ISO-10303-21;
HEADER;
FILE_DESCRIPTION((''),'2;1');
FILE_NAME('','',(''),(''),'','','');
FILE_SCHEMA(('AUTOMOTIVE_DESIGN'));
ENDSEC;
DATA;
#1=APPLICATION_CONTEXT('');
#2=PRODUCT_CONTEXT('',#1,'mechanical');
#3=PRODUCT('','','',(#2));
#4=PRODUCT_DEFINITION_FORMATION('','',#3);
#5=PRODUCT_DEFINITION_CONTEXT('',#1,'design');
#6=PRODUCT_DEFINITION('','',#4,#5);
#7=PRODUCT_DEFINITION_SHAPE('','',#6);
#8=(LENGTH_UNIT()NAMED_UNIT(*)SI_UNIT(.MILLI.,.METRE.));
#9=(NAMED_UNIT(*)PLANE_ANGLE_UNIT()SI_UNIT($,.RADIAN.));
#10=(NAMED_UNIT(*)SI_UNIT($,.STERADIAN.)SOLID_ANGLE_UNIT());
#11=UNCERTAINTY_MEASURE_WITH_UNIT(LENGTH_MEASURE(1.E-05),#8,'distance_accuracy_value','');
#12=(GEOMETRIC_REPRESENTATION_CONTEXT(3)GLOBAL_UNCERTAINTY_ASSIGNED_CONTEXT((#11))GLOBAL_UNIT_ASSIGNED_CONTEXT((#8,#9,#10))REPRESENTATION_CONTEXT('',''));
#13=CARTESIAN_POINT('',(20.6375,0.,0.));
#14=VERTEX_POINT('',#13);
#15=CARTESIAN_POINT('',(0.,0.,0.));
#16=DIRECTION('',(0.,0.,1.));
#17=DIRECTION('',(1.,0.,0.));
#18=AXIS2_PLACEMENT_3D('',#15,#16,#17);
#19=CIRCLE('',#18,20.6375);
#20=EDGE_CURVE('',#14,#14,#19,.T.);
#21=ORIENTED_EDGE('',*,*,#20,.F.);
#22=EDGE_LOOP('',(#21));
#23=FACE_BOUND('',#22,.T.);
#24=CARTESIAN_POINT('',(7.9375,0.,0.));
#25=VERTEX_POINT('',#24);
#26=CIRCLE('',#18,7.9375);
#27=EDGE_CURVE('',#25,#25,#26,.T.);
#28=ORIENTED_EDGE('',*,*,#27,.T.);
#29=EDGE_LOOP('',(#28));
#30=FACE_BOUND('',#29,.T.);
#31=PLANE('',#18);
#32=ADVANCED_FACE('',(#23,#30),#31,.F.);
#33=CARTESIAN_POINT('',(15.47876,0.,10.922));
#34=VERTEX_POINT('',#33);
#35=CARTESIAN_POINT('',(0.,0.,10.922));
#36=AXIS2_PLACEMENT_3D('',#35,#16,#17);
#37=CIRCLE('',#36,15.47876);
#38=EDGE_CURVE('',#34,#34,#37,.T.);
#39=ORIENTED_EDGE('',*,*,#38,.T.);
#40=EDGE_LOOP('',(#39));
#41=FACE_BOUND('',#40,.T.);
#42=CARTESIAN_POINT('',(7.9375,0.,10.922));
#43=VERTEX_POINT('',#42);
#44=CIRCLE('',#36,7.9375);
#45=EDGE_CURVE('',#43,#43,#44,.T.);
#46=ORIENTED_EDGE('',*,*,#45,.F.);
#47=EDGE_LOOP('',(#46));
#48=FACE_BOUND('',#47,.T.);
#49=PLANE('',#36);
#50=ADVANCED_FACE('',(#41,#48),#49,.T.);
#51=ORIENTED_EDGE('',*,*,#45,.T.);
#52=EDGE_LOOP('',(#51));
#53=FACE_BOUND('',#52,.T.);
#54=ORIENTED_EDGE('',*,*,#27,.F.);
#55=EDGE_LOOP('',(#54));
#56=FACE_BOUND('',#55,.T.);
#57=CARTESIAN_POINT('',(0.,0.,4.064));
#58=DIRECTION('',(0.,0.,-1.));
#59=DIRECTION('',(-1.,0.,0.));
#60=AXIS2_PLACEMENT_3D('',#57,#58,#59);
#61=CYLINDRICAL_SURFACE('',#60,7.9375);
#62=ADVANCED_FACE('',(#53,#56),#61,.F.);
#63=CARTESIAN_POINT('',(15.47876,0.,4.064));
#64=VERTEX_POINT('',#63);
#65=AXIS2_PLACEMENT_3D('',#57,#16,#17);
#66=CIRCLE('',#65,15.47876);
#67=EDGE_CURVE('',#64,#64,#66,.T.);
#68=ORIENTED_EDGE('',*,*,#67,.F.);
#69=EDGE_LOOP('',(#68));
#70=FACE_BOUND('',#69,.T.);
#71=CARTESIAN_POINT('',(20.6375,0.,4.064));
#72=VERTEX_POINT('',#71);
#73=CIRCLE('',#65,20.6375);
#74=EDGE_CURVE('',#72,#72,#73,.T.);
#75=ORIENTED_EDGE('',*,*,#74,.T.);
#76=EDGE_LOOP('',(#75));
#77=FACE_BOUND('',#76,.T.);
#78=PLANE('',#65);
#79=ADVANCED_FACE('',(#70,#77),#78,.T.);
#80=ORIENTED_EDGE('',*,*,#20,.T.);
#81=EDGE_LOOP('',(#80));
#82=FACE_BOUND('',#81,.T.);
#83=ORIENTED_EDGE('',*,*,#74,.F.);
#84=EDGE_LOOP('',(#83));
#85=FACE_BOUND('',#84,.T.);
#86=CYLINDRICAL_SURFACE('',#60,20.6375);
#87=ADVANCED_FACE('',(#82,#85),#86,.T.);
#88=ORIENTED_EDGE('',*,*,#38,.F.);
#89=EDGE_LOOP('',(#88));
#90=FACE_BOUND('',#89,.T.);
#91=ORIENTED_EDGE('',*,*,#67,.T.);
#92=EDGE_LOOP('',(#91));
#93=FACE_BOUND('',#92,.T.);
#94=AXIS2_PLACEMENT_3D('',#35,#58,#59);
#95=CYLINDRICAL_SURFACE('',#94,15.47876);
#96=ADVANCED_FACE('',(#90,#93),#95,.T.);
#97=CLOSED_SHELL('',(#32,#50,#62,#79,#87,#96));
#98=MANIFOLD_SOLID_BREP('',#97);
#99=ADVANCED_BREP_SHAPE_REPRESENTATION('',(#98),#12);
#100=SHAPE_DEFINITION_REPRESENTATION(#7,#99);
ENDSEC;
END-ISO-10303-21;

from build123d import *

# Parameters (mm, degrees)
SKETCH1_R           = 20.6375
SKETCH1_R_2         = 7.9375
BOSS_EXTRUDE1_DEPTH = 4.064
SKETCH2_R           = 15.47876
SKETCH2_R_2         = 7.9375
BOSS_EXTRUDE2_DEPTH = 6.858


with BuildPart() as part:
    # Sketch1 → Boss-Extrude1 (new body)
    with BuildSketch(Plane.XY):
        Circle(SKETCH1_R)
        Circle(SKETCH1_R_2, mode=Mode.SUBTRACT)
    extrude(amount=BOSS_EXTRUDE1_DEPTH)

    # Sketch2 → Boss-Extrude2 (add)
    with BuildSketch(Plane.XY.offset(4.064)):
        Circle(SKETCH2_R)
        Circle(SKETCH2_R_2, mode=Mode.SUBTRACT)
    extrude(amount=BOSS_EXTRUDE2_DEPTH)


solid = part.part
